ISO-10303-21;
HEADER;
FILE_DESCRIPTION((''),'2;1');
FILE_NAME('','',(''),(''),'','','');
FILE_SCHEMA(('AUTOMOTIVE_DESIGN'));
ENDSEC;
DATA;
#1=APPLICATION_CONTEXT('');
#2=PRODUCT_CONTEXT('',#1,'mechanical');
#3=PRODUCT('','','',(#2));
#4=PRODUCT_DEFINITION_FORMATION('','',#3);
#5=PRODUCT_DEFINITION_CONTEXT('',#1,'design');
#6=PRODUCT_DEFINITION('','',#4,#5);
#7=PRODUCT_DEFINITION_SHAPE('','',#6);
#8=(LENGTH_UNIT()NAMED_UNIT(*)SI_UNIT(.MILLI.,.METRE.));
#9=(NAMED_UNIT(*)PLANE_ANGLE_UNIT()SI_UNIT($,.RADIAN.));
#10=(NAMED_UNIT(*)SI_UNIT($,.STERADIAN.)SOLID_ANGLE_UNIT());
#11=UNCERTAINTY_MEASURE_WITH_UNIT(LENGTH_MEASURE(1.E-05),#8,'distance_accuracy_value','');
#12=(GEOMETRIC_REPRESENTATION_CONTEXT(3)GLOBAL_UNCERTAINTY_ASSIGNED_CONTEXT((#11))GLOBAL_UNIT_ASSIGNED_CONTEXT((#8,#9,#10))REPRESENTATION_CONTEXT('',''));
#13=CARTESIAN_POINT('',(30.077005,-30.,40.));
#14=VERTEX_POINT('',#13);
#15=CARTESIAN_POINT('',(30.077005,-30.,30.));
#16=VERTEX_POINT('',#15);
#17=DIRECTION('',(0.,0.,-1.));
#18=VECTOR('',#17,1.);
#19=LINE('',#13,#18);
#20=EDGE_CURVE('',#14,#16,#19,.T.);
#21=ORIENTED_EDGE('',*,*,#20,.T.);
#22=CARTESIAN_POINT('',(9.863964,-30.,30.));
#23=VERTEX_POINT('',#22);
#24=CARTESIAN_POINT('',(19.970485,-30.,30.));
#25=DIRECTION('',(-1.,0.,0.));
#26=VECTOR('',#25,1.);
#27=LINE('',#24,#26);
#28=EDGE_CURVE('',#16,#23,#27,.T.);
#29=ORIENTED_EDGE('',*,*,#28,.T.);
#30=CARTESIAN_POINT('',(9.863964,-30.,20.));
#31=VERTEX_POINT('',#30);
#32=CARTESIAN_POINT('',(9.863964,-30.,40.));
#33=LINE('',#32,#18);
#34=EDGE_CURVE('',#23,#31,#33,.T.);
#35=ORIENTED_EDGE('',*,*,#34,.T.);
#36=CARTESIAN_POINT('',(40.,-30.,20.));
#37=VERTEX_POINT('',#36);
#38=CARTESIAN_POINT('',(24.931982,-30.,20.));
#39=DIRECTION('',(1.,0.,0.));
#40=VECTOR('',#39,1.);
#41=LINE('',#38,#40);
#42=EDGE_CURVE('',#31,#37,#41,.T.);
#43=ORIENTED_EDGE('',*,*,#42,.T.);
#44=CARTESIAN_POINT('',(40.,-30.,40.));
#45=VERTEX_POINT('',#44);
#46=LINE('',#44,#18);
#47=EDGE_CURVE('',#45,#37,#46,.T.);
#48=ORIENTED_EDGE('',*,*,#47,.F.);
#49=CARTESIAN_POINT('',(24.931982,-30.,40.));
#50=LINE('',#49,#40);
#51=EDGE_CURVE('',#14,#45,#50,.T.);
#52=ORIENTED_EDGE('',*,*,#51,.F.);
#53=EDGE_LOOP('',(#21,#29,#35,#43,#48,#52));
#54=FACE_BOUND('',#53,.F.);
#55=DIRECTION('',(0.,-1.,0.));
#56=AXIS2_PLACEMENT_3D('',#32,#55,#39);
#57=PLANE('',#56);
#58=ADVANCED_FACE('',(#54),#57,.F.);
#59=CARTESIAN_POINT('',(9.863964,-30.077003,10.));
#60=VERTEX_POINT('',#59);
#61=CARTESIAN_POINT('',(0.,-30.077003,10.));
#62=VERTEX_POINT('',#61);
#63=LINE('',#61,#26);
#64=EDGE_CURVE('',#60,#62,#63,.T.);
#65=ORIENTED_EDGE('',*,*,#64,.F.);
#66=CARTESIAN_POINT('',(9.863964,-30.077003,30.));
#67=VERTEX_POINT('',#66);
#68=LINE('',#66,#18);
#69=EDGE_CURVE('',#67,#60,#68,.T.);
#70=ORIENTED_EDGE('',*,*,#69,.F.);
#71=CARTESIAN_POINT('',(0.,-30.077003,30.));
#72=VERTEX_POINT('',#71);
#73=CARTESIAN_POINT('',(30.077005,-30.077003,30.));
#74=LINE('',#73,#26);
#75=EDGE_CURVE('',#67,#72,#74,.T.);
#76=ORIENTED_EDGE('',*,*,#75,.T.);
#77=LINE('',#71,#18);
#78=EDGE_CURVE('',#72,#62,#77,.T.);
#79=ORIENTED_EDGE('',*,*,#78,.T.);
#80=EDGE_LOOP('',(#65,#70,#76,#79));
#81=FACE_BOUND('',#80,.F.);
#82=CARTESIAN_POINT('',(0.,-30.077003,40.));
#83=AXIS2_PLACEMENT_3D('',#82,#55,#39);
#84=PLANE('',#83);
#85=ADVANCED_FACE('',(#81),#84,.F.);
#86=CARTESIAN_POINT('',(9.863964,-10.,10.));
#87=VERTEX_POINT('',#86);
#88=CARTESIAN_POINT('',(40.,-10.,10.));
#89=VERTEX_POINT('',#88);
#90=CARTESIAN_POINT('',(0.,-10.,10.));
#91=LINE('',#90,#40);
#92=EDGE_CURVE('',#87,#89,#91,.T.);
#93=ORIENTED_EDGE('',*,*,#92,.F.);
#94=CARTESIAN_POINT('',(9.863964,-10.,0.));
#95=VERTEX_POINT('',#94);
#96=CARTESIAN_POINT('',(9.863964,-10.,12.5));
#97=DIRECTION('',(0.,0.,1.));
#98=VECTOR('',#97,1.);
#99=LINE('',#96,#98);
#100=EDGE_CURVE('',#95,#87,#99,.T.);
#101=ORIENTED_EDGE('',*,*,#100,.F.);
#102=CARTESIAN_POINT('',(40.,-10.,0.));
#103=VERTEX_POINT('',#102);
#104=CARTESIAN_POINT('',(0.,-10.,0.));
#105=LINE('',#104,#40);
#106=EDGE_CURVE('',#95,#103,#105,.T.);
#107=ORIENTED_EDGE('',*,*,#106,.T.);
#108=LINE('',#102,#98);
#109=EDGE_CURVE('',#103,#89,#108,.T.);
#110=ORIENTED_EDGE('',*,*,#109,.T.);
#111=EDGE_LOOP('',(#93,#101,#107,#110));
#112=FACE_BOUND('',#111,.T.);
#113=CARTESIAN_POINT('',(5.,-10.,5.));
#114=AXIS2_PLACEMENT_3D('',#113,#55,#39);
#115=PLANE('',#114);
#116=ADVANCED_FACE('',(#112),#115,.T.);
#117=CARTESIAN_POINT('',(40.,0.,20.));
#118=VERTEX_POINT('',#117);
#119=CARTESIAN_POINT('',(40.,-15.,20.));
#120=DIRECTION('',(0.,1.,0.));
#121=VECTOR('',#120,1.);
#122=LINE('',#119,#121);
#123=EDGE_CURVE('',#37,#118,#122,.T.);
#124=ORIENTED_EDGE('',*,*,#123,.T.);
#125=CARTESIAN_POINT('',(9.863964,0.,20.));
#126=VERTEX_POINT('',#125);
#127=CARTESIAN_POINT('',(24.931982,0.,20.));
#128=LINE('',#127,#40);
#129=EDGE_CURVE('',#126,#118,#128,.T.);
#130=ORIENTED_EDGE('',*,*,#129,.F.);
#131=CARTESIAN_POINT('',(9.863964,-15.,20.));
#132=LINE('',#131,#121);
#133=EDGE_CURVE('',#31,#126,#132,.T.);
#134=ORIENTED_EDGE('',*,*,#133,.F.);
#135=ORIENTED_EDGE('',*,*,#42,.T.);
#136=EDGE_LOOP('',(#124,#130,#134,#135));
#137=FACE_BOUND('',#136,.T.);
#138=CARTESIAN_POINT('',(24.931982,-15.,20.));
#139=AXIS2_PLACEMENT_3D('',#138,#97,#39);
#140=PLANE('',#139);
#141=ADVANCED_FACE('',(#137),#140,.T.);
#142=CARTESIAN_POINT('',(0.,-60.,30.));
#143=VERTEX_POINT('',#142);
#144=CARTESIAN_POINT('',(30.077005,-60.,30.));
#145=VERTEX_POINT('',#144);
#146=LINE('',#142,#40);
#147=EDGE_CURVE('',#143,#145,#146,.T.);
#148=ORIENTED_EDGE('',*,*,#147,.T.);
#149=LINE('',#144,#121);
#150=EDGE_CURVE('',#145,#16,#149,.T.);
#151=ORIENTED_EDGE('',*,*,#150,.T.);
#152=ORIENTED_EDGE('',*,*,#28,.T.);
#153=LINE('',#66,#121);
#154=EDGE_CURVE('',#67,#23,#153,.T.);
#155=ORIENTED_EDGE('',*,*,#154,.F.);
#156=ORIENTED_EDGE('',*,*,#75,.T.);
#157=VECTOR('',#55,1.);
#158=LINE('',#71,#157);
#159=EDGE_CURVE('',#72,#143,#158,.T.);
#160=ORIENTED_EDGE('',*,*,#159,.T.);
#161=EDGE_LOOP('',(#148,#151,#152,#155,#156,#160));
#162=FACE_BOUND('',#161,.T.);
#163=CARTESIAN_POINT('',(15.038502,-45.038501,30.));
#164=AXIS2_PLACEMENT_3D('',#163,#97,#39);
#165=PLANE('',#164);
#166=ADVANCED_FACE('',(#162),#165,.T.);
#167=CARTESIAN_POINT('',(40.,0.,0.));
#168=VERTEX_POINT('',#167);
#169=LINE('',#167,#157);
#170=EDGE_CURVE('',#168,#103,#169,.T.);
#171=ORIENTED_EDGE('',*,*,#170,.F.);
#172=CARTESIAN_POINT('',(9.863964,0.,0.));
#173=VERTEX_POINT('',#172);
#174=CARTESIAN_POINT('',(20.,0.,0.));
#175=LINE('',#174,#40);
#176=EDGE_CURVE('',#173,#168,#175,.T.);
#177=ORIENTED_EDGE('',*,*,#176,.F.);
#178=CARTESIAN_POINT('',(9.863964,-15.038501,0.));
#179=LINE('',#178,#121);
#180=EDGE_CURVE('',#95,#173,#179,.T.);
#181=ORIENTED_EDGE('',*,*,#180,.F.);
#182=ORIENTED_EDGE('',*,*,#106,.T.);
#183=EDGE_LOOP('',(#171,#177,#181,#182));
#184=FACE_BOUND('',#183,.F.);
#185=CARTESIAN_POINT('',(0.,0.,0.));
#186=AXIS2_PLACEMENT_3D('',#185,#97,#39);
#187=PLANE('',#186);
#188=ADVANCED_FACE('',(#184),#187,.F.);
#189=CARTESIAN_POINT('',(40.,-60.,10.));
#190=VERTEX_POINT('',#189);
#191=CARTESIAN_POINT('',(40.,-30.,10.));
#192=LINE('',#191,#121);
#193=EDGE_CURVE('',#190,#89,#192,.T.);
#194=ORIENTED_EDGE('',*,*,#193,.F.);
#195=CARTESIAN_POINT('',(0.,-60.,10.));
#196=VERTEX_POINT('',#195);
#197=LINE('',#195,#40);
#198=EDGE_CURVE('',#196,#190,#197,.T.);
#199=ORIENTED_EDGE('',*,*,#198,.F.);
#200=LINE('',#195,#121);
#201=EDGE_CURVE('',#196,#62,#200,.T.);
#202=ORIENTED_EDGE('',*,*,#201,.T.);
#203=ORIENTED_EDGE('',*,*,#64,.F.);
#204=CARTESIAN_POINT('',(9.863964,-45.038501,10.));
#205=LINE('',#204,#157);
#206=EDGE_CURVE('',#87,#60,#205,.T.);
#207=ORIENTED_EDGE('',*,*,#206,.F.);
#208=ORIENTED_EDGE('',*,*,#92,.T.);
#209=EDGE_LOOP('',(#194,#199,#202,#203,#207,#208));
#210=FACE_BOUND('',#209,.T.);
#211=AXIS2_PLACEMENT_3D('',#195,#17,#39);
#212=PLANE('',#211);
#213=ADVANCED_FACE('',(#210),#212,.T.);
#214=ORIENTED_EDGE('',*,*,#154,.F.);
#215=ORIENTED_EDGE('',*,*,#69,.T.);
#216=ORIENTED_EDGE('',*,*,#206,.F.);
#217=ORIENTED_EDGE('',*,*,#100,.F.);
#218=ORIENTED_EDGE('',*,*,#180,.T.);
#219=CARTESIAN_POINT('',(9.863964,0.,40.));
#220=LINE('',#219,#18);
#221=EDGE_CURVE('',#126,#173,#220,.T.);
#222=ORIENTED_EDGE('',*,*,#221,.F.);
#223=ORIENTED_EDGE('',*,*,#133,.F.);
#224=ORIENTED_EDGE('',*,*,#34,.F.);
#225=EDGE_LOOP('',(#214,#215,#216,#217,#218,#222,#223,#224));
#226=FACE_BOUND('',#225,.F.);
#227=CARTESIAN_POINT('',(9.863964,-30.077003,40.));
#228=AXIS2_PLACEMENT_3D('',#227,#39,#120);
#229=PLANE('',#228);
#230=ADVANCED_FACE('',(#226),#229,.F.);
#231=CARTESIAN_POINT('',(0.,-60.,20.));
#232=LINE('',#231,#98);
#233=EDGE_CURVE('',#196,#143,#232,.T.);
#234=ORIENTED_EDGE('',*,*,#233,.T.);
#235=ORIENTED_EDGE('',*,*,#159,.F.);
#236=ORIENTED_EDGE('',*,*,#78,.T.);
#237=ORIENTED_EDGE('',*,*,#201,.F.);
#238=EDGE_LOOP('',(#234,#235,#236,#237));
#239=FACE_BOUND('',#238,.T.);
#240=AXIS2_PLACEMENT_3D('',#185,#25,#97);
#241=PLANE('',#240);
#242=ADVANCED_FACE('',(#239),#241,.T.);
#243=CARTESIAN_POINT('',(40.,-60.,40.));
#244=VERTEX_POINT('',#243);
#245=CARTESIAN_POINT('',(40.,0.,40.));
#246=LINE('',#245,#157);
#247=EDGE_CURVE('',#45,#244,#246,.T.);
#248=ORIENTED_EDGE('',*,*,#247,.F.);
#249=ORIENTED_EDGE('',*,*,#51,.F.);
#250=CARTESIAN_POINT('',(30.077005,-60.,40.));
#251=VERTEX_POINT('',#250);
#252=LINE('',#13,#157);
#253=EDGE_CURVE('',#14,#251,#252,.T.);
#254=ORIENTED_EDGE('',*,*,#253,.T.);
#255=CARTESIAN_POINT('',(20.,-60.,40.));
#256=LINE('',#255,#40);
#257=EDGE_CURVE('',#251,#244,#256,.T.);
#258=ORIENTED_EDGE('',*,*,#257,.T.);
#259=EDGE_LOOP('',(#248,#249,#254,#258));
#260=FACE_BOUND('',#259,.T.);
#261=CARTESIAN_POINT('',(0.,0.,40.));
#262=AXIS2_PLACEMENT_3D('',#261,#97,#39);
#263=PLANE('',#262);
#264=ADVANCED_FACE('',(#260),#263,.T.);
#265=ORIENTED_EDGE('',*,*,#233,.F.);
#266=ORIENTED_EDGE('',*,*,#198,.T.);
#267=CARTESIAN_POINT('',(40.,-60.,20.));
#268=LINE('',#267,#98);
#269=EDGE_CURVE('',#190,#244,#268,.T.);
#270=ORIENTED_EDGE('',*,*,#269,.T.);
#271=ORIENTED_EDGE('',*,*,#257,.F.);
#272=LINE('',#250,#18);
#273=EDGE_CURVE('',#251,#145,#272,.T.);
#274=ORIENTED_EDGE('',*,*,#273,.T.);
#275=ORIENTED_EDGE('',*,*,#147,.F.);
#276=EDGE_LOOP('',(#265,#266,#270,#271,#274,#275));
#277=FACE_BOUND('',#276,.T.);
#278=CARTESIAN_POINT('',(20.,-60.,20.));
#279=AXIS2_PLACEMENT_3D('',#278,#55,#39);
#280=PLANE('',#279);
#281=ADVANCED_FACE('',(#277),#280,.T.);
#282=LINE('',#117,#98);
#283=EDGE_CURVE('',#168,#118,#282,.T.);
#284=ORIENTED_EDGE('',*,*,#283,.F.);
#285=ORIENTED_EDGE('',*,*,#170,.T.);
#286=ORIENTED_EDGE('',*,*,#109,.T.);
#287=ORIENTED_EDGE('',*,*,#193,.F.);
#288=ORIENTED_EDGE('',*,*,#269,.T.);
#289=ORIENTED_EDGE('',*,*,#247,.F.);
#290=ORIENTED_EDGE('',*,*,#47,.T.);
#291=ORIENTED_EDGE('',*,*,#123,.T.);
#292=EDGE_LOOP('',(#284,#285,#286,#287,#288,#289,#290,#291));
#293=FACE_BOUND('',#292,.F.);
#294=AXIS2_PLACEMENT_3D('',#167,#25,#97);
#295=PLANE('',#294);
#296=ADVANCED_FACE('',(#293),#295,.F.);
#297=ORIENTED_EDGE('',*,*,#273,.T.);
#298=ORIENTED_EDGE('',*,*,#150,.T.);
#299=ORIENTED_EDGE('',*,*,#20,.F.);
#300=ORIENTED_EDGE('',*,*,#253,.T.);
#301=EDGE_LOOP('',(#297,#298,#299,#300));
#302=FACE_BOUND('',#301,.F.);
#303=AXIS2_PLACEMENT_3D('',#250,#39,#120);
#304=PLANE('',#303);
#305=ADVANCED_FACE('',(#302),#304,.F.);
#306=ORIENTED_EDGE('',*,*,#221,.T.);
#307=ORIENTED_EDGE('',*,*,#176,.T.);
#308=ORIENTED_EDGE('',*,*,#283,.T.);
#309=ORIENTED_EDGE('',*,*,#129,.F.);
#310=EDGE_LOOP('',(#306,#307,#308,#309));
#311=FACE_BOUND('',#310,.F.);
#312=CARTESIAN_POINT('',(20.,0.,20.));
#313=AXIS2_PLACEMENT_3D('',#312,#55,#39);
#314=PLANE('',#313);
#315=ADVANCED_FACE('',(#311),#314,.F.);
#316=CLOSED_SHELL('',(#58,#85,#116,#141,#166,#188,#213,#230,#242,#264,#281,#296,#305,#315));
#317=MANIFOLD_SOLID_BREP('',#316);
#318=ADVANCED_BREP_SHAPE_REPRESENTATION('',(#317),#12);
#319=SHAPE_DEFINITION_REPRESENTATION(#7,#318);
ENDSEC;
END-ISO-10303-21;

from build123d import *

# Parameters (mm, degrees)
F0_W      = 40
F0_H      = 40
F1_DEPTH  = 60
F2_W      = 10
F2_H      = 10
F3_DEPTH  = 50
F4_W      = 9.863964282
F4_H      = 30.0770029426
F5_DEPTH  = 20
F7_DEPTH  = 10
F8_DEPTH  = 30.001
F9_DEPTH  = 20.001
F10_W     = 30.136035718
F10_H     = 30
F11_DEPTH = 20
F12_DEPTH = 20


with BuildPart() as f1:
    # F0 (on Front) → F1 (new body)
    with BuildSketch(Plane.XZ):
        with Locations((20, 20)):
            Rectangle(F0_W, F0_H)
    extrude(amount=F1_DEPTH)

    # F2 (on face) → F3 (cut)
    with BuildSketch(Plane.XZ.offset(60)):
        with Locations((5, 5)):
            Rectangle(F2_W, F2_H)
    extrude(amount=-F3_DEPTH, mode=Mode.SUBTRACT)

    # F4 (on face) → F5 (cut)
    with BuildSketch(Plane.XY.offset(40)):
        with Locations((4.931982141, -15.0385014713)):
            Rectangle(F4_W, F4_H)
    extrude(amount=-F5_DEPTH, mode=Mode.SUBTRACT)

    # F6 (on face) → F7 (cut)
    with BuildSketch(Plane.XY.offset(40)):
        Polygon((0, -30.0770029426), (0, -60), (30.0770048052, -60), (30.0770048052, -30.0770029426), (9.863964282, -30.0770029426), align=None)
    extrude(amount=-F7_DEPTH, mode=Mode.SUBTRACT)

    # F8 (cut, through all): a face of the model
    f8_faces = [f1.faces().sort_by_distance(p)[0] for p in [
        (10, -35, 5),
    ]]
    extrude(f8_faces, amount=-F8_DEPTH, mode=Mode.SUBTRACT)

    # F9 (cut, through all): a face of the model
    f9_faces = [f1.faces().sort_by_distance(p)[0] for p in [
        (4.931982141, -15.0385014713, 20),
    ]]
    extrude(f9_faces, amount=-F9_DEPTH, mode=Mode.SUBTRACT)

    # F10 (on face) → F11 (cut)
    with BuildSketch(Plane.XY.offset(40)):
        with Locations((24.931982141, -15)):
            Rectangle(F10_W, F10_H)
    extrude(amount=-F11_DEPTH, mode=Mode.SUBTRACT)

    # F12 (cut): a face of the model
    f12_faces = [f1.faces().sort_by_distance(p)[0] for p in [
        (19.9704845436, -30.0770029426, 35),
    ]]
    extrude(f12_faces, amount=-F12_DEPTH, mode=Mode.SUBTRACT)


solid = f1.part
